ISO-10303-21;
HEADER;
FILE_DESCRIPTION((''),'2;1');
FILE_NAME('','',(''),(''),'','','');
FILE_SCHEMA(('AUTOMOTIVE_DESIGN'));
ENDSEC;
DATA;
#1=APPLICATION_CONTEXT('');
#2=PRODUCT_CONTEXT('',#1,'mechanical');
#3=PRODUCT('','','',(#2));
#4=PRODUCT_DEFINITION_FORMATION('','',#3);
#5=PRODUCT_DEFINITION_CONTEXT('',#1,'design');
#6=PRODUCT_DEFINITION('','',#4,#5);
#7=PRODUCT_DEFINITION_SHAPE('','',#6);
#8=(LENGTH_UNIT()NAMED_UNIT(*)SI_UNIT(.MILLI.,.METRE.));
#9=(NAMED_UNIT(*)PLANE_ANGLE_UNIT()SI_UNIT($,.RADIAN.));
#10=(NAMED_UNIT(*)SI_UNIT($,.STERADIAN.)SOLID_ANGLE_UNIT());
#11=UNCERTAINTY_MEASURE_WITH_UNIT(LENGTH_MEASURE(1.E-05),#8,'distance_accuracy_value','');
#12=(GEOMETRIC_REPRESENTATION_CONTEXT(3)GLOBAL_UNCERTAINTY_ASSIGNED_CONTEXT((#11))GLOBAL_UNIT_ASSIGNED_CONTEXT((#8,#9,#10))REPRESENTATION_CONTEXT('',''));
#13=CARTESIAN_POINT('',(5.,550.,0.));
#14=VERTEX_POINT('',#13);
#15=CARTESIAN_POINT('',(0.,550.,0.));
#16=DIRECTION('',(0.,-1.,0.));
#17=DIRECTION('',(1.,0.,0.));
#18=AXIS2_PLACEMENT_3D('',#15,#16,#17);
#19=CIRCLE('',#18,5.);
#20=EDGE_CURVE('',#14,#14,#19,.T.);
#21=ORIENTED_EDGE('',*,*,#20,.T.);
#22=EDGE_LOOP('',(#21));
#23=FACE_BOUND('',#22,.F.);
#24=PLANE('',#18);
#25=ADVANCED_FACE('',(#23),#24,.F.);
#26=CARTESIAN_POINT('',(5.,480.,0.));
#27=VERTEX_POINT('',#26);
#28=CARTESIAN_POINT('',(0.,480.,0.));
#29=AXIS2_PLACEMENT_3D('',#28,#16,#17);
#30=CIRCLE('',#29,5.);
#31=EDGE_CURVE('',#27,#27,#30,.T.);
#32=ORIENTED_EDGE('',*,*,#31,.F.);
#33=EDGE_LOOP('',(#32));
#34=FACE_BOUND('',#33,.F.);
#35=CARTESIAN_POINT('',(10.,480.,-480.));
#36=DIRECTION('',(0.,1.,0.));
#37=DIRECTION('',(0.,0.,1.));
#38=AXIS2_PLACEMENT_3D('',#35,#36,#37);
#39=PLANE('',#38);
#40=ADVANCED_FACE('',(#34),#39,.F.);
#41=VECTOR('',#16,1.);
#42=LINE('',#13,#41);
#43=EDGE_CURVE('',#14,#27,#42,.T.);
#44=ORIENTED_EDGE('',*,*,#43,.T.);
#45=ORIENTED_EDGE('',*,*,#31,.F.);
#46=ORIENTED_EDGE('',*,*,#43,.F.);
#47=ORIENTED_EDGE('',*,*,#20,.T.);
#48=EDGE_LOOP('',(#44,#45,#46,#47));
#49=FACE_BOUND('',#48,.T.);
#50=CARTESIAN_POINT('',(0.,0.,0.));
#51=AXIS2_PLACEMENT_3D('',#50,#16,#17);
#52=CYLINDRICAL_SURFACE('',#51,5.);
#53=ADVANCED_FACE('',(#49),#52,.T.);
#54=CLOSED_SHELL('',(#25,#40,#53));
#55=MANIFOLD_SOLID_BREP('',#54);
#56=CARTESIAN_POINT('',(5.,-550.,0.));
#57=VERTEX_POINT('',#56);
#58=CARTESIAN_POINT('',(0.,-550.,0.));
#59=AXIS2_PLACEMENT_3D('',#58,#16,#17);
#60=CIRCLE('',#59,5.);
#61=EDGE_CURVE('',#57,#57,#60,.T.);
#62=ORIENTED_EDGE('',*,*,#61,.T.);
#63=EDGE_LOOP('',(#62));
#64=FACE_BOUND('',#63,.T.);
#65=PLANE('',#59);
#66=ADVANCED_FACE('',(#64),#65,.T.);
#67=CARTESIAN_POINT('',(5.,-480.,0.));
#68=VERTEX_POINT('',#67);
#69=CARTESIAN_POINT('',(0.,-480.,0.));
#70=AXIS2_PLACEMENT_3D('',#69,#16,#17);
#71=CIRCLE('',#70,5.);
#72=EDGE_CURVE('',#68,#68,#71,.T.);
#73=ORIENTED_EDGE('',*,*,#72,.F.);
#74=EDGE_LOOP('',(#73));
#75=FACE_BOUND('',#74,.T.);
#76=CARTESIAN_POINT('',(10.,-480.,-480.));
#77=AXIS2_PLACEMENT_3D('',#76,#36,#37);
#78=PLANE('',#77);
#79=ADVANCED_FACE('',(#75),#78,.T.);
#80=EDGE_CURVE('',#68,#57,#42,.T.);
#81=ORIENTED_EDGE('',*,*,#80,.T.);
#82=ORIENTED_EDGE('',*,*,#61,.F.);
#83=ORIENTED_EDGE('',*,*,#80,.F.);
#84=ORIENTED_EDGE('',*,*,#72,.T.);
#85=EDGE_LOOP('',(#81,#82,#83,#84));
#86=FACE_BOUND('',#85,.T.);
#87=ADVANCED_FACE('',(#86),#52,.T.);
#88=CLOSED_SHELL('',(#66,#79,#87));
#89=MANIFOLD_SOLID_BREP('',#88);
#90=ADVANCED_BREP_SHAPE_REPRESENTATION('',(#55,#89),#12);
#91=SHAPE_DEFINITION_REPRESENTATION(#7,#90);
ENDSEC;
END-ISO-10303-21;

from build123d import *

# Parameters (mm, degrees)
RECTANGLE_W      = 960
RECTANGLE_H      = 960
EXTRUDE019_DEPTH = 30
SKETCH018_R      = 5
EXTRUDE018_DEPTH = 550


with BuildPart() as extrude019:
    # Rectangle → Extrude019 (new body)
    with BuildSketch(Plane(origin=(10, -480, -480), x_dir=(0, 1, 0), z_dir=(1, 0, 0))):
        with Locations((480, 480)):
            Rectangle(RECTANGLE_W, RECTANGLE_H)
    extrude(amount=-EXTRUDE019_DEPTH)


with BuildPart() as cut:
    # Sketch018 → Extrude018 (new body, symmetric)
    with BuildSketch(Plane.XZ):
        Circle(SKETCH018_R)
    extrude(amount=EXTRUDE018_DEPTH, both=True)

    # Cut: cut Extrude019
    add(extrude019.part, mode=Mode.SUBTRACT)


solid = cut.part
